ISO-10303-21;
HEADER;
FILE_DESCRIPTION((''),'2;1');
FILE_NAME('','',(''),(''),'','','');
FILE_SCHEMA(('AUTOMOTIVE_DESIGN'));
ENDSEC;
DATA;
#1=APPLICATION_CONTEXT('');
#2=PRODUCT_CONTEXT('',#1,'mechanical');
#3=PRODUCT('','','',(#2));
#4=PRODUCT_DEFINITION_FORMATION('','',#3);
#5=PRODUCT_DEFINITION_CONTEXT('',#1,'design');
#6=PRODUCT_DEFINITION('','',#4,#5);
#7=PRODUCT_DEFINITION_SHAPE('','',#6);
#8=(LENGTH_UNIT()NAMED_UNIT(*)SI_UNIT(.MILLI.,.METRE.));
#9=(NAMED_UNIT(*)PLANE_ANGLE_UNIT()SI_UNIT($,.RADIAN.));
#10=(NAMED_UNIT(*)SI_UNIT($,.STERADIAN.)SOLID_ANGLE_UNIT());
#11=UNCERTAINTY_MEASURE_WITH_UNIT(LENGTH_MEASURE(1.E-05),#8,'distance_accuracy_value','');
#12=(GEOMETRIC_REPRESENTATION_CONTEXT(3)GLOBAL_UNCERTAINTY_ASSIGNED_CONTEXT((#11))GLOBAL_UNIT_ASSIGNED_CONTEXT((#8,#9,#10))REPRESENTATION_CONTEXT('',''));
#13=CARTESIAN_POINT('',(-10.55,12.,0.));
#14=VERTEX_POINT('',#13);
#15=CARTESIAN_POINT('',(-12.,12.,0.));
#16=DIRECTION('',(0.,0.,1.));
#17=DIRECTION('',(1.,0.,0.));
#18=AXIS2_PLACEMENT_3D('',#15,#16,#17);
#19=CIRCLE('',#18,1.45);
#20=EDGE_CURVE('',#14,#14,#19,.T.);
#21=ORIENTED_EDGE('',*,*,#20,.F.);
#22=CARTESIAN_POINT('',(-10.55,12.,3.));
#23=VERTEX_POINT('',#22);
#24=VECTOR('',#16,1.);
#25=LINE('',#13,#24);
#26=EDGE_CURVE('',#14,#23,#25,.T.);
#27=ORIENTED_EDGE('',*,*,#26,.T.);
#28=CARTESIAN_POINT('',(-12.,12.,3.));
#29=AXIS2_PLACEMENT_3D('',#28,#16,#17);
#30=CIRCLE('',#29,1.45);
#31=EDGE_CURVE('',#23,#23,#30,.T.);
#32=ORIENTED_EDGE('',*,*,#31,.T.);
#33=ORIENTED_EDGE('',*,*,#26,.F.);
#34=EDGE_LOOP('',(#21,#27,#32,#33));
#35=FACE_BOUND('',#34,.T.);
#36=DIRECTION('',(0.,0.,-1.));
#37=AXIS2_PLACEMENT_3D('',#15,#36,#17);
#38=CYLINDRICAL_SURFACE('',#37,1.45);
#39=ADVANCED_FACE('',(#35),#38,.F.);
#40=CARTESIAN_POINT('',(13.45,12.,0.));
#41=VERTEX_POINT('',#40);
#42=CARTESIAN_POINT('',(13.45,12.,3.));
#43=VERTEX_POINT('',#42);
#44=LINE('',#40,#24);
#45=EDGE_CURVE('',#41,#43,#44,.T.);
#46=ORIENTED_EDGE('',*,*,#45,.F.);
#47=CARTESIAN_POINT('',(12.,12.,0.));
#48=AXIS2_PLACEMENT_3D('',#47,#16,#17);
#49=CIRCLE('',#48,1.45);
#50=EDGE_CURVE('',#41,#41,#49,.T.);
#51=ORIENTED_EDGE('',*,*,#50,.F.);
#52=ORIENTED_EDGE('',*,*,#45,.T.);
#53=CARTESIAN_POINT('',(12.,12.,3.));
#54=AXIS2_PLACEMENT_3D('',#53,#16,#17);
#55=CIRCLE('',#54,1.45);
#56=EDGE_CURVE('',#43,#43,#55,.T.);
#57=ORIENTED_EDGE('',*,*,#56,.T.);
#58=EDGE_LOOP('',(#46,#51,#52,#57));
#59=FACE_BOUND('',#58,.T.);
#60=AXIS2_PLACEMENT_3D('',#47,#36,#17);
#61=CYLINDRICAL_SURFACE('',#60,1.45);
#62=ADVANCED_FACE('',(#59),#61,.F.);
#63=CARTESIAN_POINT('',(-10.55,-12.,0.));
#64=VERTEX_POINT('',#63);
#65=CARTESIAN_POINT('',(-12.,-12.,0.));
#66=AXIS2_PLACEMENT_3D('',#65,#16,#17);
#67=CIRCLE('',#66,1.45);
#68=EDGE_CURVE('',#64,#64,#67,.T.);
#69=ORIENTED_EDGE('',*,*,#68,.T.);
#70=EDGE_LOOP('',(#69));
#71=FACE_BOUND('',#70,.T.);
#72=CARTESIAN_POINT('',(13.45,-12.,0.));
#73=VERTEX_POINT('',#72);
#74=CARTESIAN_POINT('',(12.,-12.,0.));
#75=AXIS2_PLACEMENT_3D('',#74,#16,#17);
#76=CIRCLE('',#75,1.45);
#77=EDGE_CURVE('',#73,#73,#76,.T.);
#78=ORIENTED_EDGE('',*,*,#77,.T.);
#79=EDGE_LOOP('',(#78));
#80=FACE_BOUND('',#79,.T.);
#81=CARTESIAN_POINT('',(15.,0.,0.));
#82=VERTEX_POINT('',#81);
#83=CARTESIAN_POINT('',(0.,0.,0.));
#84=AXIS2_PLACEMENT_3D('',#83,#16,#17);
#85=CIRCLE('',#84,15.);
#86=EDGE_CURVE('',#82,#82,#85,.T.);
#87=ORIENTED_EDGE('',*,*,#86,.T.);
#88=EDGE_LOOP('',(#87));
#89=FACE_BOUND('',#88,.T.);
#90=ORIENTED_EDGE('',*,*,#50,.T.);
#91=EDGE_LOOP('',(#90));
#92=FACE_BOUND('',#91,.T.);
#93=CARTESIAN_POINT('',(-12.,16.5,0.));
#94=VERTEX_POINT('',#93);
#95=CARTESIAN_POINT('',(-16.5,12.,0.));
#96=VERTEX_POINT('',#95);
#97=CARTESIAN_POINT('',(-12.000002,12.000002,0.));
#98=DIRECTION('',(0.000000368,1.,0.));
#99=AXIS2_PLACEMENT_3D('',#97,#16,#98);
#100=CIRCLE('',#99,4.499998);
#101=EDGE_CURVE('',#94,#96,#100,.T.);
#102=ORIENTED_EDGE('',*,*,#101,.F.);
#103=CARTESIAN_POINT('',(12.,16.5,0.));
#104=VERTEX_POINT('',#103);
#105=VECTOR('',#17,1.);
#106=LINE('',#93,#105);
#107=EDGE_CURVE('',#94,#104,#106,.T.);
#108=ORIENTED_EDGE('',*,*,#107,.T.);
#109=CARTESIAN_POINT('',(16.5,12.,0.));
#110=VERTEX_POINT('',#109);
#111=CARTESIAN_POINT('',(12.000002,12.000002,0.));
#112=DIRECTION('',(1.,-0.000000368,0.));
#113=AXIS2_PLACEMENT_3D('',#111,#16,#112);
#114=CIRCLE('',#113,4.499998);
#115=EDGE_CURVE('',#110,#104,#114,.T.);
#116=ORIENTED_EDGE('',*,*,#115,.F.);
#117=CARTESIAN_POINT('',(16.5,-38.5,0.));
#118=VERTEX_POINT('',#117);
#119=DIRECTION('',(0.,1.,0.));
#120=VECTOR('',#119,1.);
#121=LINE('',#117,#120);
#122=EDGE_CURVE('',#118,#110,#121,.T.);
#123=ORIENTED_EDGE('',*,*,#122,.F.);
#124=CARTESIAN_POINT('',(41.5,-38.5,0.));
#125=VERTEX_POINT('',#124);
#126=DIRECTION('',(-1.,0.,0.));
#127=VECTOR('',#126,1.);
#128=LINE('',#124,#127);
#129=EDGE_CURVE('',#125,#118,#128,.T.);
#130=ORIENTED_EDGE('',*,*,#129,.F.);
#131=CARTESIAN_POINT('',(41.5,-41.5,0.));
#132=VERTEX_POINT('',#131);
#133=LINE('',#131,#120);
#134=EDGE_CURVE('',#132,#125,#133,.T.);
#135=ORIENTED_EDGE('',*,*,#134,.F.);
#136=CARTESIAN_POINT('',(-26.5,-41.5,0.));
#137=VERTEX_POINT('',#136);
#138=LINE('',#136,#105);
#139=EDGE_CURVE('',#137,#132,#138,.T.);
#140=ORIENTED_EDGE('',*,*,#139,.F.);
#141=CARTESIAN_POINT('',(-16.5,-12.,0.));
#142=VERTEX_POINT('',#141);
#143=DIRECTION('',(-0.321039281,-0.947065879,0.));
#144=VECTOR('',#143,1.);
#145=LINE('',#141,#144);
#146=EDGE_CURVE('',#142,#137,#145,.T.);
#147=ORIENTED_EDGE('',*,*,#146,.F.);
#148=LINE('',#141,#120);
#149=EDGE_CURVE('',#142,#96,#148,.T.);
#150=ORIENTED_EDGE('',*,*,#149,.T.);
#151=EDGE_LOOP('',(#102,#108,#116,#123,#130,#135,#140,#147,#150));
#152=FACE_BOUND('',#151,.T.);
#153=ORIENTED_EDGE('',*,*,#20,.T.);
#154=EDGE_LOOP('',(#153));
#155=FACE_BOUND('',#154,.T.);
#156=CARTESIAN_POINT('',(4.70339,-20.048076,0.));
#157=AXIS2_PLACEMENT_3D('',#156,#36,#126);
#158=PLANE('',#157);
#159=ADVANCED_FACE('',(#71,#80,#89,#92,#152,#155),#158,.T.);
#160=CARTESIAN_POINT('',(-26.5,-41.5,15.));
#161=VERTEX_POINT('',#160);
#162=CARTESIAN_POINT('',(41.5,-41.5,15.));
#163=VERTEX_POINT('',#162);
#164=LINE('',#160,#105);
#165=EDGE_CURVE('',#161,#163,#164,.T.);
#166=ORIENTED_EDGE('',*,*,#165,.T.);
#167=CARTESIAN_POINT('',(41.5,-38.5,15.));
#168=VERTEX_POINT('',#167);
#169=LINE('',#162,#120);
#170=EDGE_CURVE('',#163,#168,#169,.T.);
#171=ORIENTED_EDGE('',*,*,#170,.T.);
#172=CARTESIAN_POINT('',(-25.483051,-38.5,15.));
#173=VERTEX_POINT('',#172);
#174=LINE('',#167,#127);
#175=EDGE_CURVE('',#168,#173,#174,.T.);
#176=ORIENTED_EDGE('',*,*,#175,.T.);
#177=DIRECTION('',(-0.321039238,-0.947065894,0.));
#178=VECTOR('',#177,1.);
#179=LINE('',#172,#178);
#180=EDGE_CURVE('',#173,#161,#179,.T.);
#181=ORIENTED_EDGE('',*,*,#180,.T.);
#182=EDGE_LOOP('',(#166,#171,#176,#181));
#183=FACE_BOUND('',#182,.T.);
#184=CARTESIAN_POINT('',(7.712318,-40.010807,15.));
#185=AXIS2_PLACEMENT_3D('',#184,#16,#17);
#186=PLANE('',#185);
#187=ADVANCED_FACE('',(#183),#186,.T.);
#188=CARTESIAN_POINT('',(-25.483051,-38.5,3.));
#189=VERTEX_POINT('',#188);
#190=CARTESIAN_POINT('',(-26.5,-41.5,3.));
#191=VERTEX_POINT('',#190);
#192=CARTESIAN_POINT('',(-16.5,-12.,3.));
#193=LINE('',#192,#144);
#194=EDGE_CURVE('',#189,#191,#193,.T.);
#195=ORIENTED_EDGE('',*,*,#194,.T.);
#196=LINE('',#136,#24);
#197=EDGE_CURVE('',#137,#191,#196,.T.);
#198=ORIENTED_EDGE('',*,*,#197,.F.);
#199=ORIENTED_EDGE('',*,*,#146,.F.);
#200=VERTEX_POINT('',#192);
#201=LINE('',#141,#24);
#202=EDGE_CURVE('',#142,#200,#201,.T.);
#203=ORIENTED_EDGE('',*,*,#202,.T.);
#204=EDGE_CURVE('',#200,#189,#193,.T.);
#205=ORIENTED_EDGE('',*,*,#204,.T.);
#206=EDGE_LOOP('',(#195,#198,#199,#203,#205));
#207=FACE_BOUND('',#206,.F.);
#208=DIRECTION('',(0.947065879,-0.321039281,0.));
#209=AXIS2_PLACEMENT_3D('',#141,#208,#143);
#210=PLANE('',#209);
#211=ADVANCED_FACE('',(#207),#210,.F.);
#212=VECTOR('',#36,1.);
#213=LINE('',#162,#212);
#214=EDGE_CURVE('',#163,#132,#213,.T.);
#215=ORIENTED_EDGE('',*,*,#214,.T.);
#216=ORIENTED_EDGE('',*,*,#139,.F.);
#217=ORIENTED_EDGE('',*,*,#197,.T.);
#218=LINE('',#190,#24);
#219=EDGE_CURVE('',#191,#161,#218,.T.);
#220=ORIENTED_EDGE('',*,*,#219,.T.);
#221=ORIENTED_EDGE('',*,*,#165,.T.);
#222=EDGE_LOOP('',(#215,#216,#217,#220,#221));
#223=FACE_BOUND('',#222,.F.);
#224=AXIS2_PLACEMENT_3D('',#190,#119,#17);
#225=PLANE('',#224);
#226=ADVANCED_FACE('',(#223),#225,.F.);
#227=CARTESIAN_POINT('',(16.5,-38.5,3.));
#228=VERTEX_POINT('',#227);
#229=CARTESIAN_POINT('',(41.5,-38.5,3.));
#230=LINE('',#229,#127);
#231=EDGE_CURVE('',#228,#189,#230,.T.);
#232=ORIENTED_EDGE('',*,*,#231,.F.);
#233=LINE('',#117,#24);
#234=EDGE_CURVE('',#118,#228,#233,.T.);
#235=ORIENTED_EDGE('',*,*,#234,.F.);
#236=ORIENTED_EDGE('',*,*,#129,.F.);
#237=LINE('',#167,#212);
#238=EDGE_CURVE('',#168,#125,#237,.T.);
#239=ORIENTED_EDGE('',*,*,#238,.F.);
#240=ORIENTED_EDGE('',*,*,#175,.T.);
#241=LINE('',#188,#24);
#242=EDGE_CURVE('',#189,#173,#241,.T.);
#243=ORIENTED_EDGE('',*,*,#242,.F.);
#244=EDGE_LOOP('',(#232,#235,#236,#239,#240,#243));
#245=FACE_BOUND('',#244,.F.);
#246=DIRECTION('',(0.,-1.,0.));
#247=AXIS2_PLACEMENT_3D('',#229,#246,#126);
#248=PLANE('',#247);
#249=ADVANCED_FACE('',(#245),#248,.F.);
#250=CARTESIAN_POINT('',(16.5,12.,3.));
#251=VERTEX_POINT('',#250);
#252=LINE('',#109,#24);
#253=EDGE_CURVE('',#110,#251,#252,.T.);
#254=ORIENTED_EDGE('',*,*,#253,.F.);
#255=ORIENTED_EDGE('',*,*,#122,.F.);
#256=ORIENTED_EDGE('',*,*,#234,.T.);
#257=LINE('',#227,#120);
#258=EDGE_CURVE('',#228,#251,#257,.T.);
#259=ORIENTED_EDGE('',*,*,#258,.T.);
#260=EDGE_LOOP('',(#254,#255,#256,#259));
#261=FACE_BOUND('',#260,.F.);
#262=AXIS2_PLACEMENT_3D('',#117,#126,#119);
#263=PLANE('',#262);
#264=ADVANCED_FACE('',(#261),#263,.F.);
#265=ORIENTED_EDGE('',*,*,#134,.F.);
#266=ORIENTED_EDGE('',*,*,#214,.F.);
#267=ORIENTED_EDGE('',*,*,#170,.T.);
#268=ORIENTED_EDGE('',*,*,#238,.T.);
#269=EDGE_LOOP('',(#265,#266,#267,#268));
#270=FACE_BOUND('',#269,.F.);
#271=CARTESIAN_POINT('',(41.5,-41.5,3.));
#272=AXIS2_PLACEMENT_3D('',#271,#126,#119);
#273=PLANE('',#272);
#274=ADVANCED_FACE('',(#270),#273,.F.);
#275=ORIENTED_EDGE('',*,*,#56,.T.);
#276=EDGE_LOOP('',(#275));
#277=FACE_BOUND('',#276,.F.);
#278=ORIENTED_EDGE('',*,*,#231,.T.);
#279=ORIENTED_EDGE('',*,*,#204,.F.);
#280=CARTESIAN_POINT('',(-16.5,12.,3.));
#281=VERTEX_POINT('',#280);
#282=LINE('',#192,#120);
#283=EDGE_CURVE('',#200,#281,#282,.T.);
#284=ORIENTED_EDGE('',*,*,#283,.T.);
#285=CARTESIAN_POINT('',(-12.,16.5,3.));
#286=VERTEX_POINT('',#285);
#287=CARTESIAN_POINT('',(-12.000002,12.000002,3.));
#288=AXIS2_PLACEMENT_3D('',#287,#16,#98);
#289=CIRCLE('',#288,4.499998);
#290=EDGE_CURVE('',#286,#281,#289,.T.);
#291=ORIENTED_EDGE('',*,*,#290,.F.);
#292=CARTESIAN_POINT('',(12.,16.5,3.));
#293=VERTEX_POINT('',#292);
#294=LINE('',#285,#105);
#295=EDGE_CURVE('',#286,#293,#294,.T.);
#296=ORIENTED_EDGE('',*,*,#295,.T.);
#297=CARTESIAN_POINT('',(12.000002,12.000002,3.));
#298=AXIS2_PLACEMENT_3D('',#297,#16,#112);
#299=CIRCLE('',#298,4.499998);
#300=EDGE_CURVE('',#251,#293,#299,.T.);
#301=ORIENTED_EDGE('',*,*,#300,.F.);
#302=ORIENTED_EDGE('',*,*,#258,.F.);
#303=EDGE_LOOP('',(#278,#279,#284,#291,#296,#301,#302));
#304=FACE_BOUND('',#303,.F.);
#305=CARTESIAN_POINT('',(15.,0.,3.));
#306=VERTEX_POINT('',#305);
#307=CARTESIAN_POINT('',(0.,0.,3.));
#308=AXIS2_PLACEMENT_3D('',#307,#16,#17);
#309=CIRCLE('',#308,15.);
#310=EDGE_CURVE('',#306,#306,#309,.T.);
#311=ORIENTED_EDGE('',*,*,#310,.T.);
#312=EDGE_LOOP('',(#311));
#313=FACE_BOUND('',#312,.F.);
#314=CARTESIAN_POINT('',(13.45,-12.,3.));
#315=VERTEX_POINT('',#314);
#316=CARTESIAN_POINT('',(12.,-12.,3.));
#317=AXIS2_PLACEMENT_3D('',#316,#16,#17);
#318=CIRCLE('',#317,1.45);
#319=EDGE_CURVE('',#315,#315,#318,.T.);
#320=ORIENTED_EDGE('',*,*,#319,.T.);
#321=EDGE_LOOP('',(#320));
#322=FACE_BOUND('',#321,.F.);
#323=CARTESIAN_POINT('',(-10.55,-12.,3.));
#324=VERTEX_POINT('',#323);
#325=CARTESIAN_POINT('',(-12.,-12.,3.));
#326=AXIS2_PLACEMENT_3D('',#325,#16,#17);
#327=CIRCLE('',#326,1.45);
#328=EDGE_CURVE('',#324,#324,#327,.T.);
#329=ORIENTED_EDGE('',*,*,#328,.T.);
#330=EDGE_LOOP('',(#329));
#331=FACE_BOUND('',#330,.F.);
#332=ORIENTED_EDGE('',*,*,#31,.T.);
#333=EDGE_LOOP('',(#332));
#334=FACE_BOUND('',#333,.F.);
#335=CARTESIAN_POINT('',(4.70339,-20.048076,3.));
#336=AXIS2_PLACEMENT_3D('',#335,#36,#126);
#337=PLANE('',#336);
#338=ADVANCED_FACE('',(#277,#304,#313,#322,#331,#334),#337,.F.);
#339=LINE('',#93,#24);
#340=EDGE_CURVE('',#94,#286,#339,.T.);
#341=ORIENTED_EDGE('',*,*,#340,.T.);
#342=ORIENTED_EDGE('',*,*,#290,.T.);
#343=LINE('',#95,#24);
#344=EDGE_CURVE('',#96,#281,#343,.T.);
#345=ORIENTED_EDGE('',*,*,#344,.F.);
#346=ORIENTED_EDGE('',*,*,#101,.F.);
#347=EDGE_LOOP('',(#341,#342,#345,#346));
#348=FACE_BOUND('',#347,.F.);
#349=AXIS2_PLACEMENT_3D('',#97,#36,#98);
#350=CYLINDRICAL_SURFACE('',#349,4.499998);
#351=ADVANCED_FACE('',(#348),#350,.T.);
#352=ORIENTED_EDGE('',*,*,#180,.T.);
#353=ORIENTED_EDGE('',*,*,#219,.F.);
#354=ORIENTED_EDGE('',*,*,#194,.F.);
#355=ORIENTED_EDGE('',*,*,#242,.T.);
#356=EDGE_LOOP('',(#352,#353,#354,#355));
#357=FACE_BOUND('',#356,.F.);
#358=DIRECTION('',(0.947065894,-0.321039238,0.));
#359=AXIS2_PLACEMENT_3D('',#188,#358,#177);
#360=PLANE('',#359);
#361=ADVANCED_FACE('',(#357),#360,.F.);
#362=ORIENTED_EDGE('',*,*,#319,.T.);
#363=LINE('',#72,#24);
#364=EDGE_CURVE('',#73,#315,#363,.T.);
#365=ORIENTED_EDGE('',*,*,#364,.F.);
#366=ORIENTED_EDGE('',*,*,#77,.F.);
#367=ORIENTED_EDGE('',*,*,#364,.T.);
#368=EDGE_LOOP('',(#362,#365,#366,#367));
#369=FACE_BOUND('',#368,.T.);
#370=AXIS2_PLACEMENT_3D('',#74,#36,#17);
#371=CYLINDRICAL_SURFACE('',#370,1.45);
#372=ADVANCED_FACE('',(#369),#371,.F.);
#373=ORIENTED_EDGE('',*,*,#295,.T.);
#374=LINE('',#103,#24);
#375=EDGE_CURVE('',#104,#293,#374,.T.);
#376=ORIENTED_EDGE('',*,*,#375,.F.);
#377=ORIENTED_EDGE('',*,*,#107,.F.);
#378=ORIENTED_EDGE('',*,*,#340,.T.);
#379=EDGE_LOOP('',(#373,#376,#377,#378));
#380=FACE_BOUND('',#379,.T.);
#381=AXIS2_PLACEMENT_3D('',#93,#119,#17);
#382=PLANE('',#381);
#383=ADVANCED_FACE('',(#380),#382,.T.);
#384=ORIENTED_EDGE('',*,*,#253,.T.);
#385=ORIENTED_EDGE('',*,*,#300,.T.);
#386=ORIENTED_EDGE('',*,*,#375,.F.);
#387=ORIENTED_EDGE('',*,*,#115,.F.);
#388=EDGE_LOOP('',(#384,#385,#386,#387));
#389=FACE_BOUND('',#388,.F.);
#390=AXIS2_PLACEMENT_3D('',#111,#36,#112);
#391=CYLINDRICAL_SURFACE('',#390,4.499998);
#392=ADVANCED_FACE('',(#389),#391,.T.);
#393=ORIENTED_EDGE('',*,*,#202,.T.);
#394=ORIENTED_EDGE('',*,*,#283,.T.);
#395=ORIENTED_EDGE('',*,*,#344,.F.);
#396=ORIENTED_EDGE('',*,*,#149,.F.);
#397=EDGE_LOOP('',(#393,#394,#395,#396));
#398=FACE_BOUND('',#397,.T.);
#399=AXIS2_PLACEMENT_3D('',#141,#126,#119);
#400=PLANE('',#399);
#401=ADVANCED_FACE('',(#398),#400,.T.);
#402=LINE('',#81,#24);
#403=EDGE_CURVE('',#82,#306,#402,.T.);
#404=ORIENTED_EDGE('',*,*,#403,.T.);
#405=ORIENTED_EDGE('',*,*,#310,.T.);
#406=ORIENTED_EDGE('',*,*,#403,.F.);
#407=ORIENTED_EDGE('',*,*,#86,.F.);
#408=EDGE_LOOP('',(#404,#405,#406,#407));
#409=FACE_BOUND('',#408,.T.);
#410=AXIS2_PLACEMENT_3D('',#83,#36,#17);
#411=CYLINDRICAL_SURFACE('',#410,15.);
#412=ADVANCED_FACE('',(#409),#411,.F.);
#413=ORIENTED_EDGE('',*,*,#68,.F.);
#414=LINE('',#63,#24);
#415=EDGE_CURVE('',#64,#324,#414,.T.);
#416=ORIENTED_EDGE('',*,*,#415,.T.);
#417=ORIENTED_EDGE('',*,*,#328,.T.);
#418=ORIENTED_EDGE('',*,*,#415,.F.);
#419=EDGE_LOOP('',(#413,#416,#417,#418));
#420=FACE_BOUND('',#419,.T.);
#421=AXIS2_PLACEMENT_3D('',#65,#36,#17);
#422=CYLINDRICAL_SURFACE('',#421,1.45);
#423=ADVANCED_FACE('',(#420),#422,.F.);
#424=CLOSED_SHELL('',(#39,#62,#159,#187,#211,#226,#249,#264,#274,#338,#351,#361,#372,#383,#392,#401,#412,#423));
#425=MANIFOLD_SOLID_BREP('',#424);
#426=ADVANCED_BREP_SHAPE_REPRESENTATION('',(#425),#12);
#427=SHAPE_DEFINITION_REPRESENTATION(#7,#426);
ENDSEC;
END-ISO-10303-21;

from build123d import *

# Parameters (mm, degrees)
SKETCH_R     = 1.45
SKETCH_R_2   = 15
PAD_DEPTH    = 3
PAD001_DEPTH = 12


with BuildPart() as part:
    # Sketch → Pad (new body)
    with BuildSketch(Plane.XY):
        with BuildLine():
            Line((-12, 16.5), (12, 16.5))
            ThreePointArc((16.5, 12), (15.181981, 15.181981), (12, 16.5))
            Line((16.5, 12), (16.5, -12))
            Line((16.5, -38.5), (16.5, -12))
            Line((41.5, -38.5), (16.5, -38.5))
            Line((41.5, -41.5), (41.5, -38.5))
            Line((-26.5, -41.5), (41.5, -41.5))
            Line((-16.5, -12), (-26.5, -41.5))
            Line((-16.5, -12), (-16.5, 12))
            ThreePointArc((-12, 16.5), (-15.181981, 15.181981), (-16.5, 12))
        make_face()
        with Locations((-12, 12)):
            Circle(SKETCH_R, mode=Mode.SUBTRACT)
        with Locations((12, 12)):
            Circle(SKETCH_R, mode=Mode.SUBTRACT)
        with Locations((-12, -12)):
            Circle(SKETCH_R, mode=Mode.SUBTRACT)
        with Locations((12, -12)):
            Circle(SKETCH_R, mode=Mode.SUBTRACT)
        Circle(SKETCH_R_2, mode=Mode.SUBTRACT)
    extrude(amount=PAD_DEPTH)

    # Sketch001 (on DatumPlane) → Pad001 (join)
    with BuildSketch(Plane.XY.offset(3)):
        Polygon((41.5, -38.5), (-25.483051, -38.5), (-26.5, -41.5), (41.5, -41.5), align=None)
    extrude(amount=PAD001_DEPTH)


solid = part.part
